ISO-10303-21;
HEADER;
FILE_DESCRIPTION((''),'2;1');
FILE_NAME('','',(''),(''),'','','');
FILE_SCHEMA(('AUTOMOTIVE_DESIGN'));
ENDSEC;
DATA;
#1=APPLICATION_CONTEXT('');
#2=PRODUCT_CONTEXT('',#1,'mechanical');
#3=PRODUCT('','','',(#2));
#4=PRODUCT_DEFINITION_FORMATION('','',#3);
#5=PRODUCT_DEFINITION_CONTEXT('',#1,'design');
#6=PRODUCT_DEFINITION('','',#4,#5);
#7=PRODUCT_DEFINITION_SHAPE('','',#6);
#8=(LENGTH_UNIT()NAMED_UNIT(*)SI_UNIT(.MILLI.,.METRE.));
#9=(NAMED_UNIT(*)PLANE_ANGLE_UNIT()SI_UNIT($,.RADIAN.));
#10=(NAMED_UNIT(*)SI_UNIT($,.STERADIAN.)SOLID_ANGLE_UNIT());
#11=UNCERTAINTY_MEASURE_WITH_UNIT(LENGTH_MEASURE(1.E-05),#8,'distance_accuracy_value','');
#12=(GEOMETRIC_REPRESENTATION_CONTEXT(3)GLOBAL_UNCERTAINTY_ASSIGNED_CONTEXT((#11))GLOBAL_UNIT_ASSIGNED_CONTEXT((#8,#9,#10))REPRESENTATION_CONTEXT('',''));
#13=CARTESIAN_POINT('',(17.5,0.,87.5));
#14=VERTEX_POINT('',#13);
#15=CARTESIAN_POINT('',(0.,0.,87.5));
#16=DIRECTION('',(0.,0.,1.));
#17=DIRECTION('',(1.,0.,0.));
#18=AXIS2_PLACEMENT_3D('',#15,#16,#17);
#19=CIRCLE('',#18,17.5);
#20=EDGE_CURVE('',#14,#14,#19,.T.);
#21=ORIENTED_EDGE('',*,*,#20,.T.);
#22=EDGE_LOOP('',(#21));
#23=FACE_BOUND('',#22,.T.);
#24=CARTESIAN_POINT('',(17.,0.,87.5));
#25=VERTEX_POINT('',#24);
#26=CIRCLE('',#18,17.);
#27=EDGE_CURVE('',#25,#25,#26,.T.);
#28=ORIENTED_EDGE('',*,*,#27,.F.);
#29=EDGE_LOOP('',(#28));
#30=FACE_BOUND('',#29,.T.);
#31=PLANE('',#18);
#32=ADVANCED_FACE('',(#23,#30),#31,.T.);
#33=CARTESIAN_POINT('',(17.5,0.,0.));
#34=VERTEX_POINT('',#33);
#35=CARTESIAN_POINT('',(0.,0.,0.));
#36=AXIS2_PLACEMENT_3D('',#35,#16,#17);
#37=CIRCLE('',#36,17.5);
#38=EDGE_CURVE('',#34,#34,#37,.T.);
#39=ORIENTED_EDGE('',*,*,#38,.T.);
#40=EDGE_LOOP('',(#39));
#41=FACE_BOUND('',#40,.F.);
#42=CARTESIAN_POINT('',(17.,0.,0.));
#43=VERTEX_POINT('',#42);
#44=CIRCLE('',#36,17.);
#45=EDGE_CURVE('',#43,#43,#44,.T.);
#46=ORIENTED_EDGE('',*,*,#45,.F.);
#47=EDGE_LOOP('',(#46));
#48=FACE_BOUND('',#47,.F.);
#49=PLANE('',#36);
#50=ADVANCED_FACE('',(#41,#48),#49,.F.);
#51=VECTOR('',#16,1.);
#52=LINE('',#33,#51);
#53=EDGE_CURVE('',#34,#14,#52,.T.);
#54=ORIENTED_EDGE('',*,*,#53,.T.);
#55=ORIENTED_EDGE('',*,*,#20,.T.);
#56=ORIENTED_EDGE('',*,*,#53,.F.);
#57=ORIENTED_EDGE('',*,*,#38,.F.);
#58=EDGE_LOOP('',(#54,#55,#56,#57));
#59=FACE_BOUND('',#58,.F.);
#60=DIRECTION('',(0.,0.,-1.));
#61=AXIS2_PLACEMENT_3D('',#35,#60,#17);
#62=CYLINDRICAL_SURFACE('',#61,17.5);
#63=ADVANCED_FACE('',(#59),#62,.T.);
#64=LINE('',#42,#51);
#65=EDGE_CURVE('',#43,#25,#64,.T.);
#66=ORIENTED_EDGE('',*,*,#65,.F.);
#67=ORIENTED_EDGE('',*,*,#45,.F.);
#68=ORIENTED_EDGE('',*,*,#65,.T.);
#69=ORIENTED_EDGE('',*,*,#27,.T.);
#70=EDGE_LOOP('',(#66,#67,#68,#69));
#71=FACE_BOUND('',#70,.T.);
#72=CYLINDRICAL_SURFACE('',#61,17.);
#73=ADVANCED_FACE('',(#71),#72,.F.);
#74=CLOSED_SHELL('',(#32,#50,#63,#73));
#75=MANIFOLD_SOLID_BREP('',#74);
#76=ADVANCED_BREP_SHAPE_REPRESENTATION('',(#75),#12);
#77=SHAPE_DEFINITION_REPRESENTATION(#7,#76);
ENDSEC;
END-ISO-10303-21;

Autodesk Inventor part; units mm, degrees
ref_plane "YZ Plane" through (0, 0, 0) normal (1, 0, 0) x (0, 1, 0)
ref_plane "XZ Plane" through (0, 0, 0) normal (0, 1, 0) x (-1, 0, 0)
ref_plane "XY Plane" through (0, 0, 0) normal (0, 0, 1) x (1, 0, 0)
sketch "Sketch1" plane through (0, 0, 0) normal (0, 0, 1) x (1, 0, 0)
  circle A0 centre (0, 0) radius 17
  circle A1 centre (0, 0) radius 17.5
  dimension "d0" = 34
  dimension "d1" = 35
extrude "Extrusion1" add sketch "Sketch1" along normal blind 87.5
properties part number "HeatExchangePistonTube"
